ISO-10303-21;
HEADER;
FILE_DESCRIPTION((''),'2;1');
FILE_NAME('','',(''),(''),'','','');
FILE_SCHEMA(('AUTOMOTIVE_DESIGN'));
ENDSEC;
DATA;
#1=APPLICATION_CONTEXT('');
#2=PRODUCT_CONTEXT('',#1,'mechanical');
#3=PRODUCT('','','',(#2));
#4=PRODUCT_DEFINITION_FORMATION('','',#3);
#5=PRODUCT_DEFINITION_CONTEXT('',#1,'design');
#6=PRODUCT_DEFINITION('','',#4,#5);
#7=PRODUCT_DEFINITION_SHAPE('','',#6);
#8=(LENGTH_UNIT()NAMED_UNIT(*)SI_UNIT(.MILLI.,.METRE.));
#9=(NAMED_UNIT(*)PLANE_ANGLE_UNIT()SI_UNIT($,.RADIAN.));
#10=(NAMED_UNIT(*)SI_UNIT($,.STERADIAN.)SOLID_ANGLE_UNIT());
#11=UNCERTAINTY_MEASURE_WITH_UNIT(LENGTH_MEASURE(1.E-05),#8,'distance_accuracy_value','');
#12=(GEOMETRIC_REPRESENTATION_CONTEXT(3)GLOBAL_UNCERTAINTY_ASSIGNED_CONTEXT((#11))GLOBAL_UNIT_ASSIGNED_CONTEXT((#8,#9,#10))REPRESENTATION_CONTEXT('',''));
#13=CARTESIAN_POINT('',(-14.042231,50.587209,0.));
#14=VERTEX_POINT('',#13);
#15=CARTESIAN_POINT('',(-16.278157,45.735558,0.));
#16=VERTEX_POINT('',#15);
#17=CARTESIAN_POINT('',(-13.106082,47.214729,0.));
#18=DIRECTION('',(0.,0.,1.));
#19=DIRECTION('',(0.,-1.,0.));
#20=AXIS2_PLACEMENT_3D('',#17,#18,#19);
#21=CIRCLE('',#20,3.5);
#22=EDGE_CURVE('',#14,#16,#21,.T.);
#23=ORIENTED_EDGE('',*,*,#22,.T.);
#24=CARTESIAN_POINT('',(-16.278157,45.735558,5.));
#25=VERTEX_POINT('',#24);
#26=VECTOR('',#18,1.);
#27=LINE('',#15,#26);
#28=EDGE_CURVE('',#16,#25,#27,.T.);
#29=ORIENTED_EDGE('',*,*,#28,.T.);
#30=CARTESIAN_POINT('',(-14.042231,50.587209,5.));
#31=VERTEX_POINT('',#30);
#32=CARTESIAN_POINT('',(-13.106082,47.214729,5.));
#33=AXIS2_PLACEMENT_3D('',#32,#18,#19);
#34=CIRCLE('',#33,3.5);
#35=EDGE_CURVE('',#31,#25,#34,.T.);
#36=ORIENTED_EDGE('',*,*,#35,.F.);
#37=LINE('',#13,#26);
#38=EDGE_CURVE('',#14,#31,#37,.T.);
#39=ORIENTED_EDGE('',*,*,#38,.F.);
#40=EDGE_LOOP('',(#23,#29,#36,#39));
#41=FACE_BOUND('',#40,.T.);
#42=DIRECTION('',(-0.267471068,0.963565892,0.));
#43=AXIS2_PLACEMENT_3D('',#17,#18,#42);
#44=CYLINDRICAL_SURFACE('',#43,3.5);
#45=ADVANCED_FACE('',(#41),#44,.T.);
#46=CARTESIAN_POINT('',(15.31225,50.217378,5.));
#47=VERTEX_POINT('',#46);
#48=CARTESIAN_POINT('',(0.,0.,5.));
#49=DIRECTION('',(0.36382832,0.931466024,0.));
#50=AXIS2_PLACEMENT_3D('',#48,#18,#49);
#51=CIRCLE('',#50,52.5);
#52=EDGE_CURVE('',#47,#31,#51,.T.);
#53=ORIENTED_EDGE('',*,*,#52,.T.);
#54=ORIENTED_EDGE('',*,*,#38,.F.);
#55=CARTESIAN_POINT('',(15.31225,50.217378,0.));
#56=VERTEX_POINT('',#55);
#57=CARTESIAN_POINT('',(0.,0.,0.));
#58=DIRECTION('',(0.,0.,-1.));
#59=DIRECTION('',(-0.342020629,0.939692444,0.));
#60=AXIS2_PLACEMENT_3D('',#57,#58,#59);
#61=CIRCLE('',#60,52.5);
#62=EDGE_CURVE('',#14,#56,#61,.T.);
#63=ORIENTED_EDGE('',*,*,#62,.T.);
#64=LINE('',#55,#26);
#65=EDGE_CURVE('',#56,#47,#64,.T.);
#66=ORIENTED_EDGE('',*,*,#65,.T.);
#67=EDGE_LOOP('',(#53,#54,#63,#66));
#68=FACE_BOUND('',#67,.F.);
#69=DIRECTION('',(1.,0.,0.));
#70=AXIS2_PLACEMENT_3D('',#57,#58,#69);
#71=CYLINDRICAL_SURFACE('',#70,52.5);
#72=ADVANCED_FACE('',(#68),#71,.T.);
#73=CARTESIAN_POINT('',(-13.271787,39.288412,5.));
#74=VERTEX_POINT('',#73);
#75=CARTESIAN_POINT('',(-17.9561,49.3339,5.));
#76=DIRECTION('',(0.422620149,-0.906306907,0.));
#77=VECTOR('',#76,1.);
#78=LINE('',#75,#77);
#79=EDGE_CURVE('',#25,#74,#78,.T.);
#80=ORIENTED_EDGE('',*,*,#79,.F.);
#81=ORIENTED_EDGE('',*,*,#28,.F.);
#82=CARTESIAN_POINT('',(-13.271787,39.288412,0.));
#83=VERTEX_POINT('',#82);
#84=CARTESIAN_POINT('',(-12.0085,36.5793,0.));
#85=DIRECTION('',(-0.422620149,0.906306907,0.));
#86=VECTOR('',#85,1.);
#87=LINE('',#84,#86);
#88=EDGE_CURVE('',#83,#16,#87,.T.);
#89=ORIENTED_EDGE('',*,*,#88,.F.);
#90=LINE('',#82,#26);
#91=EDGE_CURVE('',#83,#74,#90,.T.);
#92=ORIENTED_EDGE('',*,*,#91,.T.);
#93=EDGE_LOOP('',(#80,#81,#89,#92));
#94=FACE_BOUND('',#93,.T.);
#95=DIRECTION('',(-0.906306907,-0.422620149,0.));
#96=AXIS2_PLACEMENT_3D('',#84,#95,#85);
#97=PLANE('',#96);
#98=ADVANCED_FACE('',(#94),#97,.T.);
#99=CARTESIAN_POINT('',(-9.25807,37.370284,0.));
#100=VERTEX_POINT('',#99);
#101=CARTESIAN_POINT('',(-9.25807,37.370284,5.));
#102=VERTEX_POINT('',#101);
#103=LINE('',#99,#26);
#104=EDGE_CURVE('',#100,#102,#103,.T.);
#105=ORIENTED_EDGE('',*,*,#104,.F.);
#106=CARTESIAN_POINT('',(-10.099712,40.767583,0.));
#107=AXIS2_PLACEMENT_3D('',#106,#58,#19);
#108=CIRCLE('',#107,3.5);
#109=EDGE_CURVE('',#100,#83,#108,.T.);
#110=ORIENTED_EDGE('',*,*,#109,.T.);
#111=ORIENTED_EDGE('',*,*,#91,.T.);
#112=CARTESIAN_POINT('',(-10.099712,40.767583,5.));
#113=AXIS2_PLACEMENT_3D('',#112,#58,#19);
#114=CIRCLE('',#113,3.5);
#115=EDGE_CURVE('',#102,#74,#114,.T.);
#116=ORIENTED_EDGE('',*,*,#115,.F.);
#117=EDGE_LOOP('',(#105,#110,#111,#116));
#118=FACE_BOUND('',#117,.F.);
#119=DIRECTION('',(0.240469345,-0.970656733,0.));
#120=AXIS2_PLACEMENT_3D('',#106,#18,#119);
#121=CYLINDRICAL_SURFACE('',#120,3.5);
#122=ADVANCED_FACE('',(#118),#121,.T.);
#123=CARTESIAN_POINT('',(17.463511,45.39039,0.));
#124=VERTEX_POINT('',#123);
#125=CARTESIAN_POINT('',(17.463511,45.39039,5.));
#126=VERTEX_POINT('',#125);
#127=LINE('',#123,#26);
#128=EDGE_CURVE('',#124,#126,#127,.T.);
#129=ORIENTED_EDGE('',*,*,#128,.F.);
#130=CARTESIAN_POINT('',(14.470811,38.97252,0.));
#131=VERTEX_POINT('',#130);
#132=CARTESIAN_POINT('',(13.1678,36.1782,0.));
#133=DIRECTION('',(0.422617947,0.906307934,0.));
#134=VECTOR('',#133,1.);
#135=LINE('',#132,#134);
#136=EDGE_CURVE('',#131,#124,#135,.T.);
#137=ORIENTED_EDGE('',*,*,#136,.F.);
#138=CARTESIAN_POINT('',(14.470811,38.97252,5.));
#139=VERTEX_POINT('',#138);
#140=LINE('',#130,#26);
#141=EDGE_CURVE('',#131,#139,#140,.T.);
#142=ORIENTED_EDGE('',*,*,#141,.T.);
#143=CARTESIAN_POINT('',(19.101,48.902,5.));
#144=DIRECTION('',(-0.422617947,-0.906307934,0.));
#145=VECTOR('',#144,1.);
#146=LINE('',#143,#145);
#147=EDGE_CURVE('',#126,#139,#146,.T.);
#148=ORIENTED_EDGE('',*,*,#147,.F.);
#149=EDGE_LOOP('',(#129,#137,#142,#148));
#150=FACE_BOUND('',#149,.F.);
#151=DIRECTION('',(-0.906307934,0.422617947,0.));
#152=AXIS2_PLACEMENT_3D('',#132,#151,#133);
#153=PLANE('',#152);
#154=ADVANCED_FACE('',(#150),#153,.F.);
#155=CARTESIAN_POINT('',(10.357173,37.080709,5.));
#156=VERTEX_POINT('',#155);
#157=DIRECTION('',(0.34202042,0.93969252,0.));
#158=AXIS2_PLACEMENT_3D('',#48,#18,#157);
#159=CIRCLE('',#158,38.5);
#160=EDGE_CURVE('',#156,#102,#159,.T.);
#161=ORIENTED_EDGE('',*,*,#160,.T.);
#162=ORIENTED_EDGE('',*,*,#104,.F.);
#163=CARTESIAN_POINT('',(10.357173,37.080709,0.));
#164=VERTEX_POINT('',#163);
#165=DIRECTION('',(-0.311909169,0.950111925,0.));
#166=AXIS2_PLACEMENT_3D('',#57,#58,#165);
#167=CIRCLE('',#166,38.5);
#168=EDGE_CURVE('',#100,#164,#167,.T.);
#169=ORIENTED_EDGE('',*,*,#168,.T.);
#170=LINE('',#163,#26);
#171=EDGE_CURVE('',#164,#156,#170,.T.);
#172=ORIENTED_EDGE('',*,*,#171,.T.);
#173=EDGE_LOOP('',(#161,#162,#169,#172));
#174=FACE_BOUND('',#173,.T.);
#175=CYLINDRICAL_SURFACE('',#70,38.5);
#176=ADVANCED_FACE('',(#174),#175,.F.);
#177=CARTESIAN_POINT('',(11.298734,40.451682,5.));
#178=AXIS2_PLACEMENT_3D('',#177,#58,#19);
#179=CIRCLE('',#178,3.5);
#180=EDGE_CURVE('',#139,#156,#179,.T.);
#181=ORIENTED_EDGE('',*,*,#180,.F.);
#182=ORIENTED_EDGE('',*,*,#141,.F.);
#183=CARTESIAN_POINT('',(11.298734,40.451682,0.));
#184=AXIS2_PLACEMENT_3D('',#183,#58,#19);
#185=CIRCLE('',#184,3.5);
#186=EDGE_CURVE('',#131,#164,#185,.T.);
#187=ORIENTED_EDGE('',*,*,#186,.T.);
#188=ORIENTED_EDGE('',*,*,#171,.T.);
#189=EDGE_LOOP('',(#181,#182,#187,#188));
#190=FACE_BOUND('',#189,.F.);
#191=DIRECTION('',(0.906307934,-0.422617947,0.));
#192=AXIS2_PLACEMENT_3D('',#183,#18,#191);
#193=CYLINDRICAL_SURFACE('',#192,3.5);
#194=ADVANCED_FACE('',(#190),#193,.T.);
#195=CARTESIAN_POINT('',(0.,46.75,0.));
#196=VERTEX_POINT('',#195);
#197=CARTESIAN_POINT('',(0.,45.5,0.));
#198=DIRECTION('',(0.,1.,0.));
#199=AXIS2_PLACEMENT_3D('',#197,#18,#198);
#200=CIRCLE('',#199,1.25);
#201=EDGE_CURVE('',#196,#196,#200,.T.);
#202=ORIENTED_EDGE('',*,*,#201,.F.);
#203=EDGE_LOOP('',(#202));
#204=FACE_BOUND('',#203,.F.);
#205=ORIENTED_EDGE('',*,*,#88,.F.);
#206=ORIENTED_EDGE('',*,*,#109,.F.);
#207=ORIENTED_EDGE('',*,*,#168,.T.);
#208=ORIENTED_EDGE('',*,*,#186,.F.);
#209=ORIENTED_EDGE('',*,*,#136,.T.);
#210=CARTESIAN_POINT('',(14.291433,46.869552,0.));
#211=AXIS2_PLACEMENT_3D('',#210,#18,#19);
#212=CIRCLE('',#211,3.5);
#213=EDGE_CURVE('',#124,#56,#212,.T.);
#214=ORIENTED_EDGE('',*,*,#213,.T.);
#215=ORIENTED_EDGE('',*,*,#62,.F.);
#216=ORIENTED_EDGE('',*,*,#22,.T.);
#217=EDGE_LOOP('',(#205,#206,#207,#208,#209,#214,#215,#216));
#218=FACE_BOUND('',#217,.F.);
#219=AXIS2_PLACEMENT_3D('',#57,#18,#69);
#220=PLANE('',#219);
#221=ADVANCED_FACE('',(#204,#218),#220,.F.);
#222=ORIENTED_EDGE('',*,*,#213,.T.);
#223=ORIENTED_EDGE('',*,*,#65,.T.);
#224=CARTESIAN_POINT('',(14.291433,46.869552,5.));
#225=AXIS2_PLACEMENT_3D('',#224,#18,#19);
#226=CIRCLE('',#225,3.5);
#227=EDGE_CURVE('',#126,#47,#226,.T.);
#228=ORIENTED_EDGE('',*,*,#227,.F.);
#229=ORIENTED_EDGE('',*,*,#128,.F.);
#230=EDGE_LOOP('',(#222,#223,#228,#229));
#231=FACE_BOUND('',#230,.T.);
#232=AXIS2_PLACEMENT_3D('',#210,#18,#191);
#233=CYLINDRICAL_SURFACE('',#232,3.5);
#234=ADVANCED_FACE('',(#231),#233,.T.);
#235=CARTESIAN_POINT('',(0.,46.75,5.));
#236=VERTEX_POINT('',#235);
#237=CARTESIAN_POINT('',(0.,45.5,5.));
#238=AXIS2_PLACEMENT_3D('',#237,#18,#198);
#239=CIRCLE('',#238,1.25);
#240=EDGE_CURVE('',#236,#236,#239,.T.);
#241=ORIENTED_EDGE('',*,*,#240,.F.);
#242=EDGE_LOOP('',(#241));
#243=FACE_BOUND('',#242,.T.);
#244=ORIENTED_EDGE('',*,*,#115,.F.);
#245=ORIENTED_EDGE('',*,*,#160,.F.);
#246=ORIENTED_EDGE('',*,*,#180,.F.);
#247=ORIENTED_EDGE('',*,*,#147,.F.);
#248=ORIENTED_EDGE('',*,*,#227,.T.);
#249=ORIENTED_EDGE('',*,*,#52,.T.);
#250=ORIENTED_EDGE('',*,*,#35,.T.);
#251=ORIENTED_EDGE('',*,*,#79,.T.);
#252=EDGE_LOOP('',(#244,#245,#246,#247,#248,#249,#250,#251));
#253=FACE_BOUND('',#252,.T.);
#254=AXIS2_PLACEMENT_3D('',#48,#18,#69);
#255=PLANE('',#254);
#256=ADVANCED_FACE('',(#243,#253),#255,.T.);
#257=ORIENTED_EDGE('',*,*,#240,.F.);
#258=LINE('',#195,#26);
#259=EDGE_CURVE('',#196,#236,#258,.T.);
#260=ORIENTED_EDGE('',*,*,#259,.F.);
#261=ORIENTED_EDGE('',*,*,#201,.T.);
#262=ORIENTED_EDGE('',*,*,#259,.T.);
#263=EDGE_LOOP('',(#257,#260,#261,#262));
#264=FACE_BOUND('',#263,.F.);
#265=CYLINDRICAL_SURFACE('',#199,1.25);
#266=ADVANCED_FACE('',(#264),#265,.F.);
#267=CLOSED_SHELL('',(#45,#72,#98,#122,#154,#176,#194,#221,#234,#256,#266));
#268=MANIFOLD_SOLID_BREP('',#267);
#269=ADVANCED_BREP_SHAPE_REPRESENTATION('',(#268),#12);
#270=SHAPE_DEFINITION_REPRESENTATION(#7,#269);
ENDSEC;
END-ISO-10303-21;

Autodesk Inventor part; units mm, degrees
ref_plane "YZ Plane" through (0, 0, 0) normal (1, 0, 0) x (0, 1, 0)
ref_plane "XZ Plane" through (0, 0, 0) normal (0, 1, 0) x (-1, 0, 0)
ref_plane "XY Plane" through (0, 0, 0) normal (0, 0, 1) x (1, 0, 0)
sketch "Sketch1" plane through (0, 0, 0) normal (0, 0, 1) x (1, 0, 0)
  circle A0 centre (0, 0) radius 45.5
  circle A1 centre (0, 0) radius 52.5
  circle A2 centre (0, 0) radius 38.5
  line L0 (-12.0085, 36.5793) -> (-17.9561, 49.3339)
  line L1 (13.1678, 36.1782) -> (19.101, 48.902)
  line L2 (0, 0) -> (0, 83.0319)
  point P0 (0, 45.5)
  dimension "d2" = 91
  dimension "d3" = 7
  dimension "d4" = 7
  dimension "d5" = 25
  dimension "d6" = 25
extrude "Extrusion1" add sketch "Sketch1" along normal blind 5 contours L1 A2 L2 A0 | A0 L2 A1 L1 | L0 A1 L2 A0 | A0 L2 A2 L0
hole "Hole1" at (0, 45.5, 0) direction (0, 0, 1) diameter 2.5 end through all
fillet "Fillet1" radius 3.5 4 edges at (19.101, 48.902, 2.5) (13.1678, 36.1782, 2.5) (-12.0085, 36.5793, 2.5) (-17.9561, 49.3339, 2.5)
sketch "Sketch2" plane through (0, 0, 5) normal (0, 0, 1) x (1, 0, 0)
  circle A0 centre (0, 0) radius 50
  dimension "d17" = 100
equation "\"d4\" = d3"
equation "\"d6\" = d5"
properties part number "3DP_PLA_Foot"
